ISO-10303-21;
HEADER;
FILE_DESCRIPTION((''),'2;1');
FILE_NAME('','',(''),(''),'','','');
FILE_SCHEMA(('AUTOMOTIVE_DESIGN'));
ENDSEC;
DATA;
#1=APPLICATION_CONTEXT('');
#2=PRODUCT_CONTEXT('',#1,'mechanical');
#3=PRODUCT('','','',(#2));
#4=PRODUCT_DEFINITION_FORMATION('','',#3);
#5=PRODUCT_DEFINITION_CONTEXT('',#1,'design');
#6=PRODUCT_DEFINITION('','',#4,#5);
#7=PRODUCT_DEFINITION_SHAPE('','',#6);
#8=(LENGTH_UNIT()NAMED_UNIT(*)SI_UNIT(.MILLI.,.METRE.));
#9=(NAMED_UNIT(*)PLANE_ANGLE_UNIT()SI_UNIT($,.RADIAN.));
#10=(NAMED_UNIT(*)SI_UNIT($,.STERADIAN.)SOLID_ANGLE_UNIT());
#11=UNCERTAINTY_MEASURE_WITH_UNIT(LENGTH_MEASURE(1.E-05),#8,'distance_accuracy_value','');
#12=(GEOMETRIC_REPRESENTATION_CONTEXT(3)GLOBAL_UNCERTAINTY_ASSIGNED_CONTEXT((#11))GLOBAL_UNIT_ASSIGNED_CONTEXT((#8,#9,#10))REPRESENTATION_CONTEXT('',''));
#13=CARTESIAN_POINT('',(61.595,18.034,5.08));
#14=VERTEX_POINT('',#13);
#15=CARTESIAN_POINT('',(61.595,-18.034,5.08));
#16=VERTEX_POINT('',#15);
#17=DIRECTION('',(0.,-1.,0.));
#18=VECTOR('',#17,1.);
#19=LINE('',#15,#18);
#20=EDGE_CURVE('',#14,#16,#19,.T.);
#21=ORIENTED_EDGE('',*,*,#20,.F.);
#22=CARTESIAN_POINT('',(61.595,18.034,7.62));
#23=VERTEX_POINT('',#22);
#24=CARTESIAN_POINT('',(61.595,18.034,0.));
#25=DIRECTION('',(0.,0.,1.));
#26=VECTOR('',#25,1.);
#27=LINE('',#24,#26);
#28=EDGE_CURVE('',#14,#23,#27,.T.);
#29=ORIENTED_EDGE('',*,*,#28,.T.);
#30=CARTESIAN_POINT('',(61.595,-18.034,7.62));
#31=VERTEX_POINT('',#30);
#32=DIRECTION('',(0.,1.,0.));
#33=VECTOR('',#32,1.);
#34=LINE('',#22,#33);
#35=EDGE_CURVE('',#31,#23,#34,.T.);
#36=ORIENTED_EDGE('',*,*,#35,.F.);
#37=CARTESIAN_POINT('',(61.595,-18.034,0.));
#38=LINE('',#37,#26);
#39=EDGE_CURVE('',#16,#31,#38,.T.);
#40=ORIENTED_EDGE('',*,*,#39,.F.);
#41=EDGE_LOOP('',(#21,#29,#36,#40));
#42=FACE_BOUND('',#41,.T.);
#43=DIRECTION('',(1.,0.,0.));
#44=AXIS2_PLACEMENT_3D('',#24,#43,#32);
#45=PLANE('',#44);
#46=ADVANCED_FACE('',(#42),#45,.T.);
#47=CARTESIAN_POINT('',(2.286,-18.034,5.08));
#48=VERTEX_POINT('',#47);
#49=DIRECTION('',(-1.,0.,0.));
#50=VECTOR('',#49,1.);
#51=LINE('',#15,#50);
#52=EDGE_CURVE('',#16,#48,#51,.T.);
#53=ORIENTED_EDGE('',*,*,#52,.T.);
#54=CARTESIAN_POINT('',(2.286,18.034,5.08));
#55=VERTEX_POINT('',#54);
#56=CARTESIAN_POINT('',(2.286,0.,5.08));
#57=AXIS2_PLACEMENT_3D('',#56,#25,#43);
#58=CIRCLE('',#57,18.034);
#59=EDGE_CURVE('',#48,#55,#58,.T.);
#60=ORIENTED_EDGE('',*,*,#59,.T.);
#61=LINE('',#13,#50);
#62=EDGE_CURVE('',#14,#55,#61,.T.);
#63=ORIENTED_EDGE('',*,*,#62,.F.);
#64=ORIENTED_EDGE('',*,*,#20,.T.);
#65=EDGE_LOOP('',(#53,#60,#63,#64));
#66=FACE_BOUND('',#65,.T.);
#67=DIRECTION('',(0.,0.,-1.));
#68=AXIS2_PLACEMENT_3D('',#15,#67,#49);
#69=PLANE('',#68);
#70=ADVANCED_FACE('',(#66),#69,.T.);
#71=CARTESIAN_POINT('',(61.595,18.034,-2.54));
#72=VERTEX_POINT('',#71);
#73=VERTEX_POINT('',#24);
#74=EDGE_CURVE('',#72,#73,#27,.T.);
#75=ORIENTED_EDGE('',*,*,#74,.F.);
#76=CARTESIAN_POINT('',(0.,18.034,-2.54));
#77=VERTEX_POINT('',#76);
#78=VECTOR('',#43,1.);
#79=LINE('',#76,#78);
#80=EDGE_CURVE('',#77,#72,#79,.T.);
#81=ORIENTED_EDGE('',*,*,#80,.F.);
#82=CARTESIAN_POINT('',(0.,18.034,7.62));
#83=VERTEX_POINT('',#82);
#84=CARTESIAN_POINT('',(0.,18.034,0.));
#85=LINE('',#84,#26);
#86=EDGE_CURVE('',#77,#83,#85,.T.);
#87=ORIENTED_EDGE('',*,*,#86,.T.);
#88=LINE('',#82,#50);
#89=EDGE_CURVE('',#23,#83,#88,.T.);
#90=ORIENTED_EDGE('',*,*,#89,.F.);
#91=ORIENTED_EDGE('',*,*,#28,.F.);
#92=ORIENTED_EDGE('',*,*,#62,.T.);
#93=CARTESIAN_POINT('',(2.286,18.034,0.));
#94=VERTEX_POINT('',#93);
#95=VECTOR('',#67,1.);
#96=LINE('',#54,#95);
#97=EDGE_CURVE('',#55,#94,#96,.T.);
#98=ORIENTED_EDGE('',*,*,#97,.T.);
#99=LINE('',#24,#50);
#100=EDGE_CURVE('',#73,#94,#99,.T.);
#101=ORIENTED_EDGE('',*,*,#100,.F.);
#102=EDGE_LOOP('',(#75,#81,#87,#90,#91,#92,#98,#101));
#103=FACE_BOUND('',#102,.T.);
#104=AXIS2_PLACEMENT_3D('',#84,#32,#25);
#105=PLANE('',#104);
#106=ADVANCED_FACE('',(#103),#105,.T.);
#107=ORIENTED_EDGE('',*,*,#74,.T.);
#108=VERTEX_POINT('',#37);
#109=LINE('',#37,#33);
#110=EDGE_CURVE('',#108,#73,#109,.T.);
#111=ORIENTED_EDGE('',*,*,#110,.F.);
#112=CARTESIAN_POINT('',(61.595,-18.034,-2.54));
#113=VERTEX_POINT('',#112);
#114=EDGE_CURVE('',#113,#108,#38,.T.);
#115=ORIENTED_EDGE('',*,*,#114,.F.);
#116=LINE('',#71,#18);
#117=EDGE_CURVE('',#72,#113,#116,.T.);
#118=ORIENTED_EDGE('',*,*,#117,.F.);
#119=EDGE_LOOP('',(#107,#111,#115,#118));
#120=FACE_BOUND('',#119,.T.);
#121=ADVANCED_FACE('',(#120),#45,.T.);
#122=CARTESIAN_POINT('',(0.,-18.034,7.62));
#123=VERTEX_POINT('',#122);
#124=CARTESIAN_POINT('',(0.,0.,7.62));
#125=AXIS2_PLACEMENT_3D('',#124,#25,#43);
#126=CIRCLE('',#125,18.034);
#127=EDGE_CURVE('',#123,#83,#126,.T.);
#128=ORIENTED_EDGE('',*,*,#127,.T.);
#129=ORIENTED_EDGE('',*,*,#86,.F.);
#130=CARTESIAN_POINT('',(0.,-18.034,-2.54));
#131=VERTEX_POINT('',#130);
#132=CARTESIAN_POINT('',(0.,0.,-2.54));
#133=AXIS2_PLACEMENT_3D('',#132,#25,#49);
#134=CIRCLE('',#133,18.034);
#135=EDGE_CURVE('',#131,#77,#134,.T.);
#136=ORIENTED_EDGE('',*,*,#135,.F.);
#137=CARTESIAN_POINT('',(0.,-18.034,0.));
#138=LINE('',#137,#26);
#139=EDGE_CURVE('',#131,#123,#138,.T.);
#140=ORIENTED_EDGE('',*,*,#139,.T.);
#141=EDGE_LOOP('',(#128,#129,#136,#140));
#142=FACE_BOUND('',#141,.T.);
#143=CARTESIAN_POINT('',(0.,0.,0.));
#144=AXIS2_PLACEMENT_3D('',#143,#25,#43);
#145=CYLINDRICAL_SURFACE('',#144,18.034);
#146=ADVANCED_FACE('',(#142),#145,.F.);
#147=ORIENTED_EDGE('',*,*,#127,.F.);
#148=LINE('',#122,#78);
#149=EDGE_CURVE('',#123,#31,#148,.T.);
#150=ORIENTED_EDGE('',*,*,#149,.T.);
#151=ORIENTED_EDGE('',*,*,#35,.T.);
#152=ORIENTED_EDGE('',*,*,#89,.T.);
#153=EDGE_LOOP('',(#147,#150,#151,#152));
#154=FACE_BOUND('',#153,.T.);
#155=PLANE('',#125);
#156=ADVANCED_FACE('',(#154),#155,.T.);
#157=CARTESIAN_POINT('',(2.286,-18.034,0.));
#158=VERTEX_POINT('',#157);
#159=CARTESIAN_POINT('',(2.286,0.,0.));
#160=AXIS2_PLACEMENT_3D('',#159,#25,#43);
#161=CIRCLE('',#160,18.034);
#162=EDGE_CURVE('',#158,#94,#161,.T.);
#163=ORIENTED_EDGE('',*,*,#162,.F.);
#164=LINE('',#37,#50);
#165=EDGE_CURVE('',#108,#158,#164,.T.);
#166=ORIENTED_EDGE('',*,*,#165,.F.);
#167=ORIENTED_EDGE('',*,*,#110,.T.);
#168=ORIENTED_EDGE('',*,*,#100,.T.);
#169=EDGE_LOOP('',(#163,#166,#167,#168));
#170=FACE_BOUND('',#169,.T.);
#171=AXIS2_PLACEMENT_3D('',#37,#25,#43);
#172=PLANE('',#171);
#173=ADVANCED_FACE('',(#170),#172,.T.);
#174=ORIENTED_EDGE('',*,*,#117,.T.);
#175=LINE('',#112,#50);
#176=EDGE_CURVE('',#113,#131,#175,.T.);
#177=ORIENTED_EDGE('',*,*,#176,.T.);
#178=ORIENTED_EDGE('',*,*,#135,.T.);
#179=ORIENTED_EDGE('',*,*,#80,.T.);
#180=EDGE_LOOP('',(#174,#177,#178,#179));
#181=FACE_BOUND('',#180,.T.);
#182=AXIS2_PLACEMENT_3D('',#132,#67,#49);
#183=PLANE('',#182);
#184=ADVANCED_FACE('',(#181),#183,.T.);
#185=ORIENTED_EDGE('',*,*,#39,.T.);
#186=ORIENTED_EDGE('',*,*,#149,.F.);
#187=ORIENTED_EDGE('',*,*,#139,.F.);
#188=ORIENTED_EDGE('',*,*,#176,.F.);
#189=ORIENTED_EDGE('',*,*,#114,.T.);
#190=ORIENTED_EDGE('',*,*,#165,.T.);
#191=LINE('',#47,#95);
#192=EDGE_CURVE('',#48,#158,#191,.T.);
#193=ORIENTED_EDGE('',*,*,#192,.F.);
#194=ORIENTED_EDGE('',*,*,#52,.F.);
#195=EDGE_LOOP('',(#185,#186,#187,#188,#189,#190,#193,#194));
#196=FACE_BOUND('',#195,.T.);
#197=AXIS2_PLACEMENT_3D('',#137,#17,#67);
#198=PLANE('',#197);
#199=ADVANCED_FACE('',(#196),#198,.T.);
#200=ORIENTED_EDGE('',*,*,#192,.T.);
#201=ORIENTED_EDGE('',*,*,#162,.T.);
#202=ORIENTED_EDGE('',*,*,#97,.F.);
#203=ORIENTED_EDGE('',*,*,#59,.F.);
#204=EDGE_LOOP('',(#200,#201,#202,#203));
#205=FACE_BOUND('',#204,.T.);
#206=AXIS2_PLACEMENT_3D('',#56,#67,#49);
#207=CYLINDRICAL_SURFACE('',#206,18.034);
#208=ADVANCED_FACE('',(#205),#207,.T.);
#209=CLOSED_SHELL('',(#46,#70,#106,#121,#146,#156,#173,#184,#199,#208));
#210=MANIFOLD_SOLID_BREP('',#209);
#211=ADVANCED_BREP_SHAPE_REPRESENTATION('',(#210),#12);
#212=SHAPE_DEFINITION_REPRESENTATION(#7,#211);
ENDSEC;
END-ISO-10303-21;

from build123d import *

# Parameters (mm, degrees)
SKETCH1_R               = 19.939
CIRCLE_EXTRUDE_DEPTH    = 7.62
SKETCH3_W               = 7.62
SKETCH3_H               = 39.878
RECTANGLE_EXTRUDE_DEPTH = 63.5
SKETCH2_R               = 18.034
CRICLE_CUT_DEPTH        = 67.991627245
SKETCH4_OUTSIDE_W       = 103.997
SKETCH4_OUTSIDE_H       = 60.436
SKETCH4_OUTSIDE_W_2     = 61.595
SKETCH4_OUTSIDE_H_2     = 36.068
FRAME_CUT_DEPTH         = 67.991627245
EXTENSION_DEPTH         = 2.54
SKETCH11_W              = 5.08
SKETCH11_H              = 36.068
MIDDLE_DEPTH            = 46.682766784
SKETCH12_OUTSIDE_W      = 78.015
SKETCH12_OUTSIDE_H      = 52.488
CIRCLE_EXTENSION_DEPTH  = 5.08


with BuildPart() as part:
    # Sketch1 → circle extrude (new body)
    with BuildSketch(Plane.XY):
        with Locations(Location((0, 0, 0), (0, 0, 180))):
            Circle(SKETCH1_R)
    extrude(amount=CIRCLE_EXTRUDE_DEPTH)

    # Sketch3 → rectangle extrude (add)
    with BuildSketch(Plane(origin=(0, 0, 0), x_dir=(0, 0, -1), z_dir=(1, 0, 0))):
        with Locations((-3.81, 0)):
            Rectangle(SKETCH3_W, SKETCH3_H)
    extrude(amount=RECTANGLE_EXTRUDE_DEPTH)

    # Sketch2 → cricle cut (cut, through all)
    with BuildSketch(Plane.XY.offset(7.62)):
        Circle(SKETCH2_R)
    extrude(amount=-CRICLE_CUT_DEPTH, mode=Mode.SUBTRACT)

    # Sketch4 outside → frame cut (cut, through all)
    with BuildSketch(Plane.XY.offset(7.62)):
        with Locations((21.7805, 0)):
            Rectangle(SKETCH4_OUTSIDE_W, SKETCH4_OUTSIDE_H)
        with Locations((30.7975, 0)):
            Rectangle(SKETCH4_OUTSIDE_W_2, SKETCH4_OUTSIDE_H_2, mode=Mode.SUBTRACT)
    extrude(amount=-FRAME_CUT_DEPTH, mode=Mode.SUBTRACT)

    # Sketch10 → extension (add)
    with BuildSketch(Plane(origin=(0, 0, 0), x_dir=(-1, 0, 0), z_dir=(0, 0, -1))):
        with BuildLine():
            Line((0, 18.034), (-61.595, 18.034))
            Line((-61.595, 18.034), (-61.595, -18.034))
            Line((-61.595, -18.034), (0, -18.034))
            ThreePointArc((0, -18.034), (-18.034, 0), (0, 18.034))
        make_face()
    extrude(amount=EXTENSION_DEPTH)

    # Sketch11 → middle (cut, through all)
    with BuildSketch(Plane(origin=(20.32, 0, 0), x_dir=(0, 0, -1), z_dir=(1, 0, 0))):
        with Locations((-2.54, 0)):
            Rectangle(SKETCH11_W, SKETCH11_H)
    extrude(amount=MIDDLE_DEPTH, mode=Mode.SUBTRACT)

    # Sketch12 outside → circle extension (cut)
    with BuildSketch(Plane.XY):
        with Locations((30.7975, 0)):
            Rectangle(SKETCH12_OUTSIDE_W, SKETCH12_OUTSIDE_H)
        with BuildLine():
            Line((2.286, 18.034), (0, 18.034))
            Line((0, 18.034), (0, -18.034))
            Line((0, -18.034), (2.286, -18.034))
            ThreePointArc((2.286, -18.034), (20.32, 0), (2.286, 18.034))
        make_face(mode=Mode.SUBTRACT)
    extrude(amount=CIRCLE_EXTENSION_DEPTH, mode=Mode.SUBTRACT)


solid = part.part
